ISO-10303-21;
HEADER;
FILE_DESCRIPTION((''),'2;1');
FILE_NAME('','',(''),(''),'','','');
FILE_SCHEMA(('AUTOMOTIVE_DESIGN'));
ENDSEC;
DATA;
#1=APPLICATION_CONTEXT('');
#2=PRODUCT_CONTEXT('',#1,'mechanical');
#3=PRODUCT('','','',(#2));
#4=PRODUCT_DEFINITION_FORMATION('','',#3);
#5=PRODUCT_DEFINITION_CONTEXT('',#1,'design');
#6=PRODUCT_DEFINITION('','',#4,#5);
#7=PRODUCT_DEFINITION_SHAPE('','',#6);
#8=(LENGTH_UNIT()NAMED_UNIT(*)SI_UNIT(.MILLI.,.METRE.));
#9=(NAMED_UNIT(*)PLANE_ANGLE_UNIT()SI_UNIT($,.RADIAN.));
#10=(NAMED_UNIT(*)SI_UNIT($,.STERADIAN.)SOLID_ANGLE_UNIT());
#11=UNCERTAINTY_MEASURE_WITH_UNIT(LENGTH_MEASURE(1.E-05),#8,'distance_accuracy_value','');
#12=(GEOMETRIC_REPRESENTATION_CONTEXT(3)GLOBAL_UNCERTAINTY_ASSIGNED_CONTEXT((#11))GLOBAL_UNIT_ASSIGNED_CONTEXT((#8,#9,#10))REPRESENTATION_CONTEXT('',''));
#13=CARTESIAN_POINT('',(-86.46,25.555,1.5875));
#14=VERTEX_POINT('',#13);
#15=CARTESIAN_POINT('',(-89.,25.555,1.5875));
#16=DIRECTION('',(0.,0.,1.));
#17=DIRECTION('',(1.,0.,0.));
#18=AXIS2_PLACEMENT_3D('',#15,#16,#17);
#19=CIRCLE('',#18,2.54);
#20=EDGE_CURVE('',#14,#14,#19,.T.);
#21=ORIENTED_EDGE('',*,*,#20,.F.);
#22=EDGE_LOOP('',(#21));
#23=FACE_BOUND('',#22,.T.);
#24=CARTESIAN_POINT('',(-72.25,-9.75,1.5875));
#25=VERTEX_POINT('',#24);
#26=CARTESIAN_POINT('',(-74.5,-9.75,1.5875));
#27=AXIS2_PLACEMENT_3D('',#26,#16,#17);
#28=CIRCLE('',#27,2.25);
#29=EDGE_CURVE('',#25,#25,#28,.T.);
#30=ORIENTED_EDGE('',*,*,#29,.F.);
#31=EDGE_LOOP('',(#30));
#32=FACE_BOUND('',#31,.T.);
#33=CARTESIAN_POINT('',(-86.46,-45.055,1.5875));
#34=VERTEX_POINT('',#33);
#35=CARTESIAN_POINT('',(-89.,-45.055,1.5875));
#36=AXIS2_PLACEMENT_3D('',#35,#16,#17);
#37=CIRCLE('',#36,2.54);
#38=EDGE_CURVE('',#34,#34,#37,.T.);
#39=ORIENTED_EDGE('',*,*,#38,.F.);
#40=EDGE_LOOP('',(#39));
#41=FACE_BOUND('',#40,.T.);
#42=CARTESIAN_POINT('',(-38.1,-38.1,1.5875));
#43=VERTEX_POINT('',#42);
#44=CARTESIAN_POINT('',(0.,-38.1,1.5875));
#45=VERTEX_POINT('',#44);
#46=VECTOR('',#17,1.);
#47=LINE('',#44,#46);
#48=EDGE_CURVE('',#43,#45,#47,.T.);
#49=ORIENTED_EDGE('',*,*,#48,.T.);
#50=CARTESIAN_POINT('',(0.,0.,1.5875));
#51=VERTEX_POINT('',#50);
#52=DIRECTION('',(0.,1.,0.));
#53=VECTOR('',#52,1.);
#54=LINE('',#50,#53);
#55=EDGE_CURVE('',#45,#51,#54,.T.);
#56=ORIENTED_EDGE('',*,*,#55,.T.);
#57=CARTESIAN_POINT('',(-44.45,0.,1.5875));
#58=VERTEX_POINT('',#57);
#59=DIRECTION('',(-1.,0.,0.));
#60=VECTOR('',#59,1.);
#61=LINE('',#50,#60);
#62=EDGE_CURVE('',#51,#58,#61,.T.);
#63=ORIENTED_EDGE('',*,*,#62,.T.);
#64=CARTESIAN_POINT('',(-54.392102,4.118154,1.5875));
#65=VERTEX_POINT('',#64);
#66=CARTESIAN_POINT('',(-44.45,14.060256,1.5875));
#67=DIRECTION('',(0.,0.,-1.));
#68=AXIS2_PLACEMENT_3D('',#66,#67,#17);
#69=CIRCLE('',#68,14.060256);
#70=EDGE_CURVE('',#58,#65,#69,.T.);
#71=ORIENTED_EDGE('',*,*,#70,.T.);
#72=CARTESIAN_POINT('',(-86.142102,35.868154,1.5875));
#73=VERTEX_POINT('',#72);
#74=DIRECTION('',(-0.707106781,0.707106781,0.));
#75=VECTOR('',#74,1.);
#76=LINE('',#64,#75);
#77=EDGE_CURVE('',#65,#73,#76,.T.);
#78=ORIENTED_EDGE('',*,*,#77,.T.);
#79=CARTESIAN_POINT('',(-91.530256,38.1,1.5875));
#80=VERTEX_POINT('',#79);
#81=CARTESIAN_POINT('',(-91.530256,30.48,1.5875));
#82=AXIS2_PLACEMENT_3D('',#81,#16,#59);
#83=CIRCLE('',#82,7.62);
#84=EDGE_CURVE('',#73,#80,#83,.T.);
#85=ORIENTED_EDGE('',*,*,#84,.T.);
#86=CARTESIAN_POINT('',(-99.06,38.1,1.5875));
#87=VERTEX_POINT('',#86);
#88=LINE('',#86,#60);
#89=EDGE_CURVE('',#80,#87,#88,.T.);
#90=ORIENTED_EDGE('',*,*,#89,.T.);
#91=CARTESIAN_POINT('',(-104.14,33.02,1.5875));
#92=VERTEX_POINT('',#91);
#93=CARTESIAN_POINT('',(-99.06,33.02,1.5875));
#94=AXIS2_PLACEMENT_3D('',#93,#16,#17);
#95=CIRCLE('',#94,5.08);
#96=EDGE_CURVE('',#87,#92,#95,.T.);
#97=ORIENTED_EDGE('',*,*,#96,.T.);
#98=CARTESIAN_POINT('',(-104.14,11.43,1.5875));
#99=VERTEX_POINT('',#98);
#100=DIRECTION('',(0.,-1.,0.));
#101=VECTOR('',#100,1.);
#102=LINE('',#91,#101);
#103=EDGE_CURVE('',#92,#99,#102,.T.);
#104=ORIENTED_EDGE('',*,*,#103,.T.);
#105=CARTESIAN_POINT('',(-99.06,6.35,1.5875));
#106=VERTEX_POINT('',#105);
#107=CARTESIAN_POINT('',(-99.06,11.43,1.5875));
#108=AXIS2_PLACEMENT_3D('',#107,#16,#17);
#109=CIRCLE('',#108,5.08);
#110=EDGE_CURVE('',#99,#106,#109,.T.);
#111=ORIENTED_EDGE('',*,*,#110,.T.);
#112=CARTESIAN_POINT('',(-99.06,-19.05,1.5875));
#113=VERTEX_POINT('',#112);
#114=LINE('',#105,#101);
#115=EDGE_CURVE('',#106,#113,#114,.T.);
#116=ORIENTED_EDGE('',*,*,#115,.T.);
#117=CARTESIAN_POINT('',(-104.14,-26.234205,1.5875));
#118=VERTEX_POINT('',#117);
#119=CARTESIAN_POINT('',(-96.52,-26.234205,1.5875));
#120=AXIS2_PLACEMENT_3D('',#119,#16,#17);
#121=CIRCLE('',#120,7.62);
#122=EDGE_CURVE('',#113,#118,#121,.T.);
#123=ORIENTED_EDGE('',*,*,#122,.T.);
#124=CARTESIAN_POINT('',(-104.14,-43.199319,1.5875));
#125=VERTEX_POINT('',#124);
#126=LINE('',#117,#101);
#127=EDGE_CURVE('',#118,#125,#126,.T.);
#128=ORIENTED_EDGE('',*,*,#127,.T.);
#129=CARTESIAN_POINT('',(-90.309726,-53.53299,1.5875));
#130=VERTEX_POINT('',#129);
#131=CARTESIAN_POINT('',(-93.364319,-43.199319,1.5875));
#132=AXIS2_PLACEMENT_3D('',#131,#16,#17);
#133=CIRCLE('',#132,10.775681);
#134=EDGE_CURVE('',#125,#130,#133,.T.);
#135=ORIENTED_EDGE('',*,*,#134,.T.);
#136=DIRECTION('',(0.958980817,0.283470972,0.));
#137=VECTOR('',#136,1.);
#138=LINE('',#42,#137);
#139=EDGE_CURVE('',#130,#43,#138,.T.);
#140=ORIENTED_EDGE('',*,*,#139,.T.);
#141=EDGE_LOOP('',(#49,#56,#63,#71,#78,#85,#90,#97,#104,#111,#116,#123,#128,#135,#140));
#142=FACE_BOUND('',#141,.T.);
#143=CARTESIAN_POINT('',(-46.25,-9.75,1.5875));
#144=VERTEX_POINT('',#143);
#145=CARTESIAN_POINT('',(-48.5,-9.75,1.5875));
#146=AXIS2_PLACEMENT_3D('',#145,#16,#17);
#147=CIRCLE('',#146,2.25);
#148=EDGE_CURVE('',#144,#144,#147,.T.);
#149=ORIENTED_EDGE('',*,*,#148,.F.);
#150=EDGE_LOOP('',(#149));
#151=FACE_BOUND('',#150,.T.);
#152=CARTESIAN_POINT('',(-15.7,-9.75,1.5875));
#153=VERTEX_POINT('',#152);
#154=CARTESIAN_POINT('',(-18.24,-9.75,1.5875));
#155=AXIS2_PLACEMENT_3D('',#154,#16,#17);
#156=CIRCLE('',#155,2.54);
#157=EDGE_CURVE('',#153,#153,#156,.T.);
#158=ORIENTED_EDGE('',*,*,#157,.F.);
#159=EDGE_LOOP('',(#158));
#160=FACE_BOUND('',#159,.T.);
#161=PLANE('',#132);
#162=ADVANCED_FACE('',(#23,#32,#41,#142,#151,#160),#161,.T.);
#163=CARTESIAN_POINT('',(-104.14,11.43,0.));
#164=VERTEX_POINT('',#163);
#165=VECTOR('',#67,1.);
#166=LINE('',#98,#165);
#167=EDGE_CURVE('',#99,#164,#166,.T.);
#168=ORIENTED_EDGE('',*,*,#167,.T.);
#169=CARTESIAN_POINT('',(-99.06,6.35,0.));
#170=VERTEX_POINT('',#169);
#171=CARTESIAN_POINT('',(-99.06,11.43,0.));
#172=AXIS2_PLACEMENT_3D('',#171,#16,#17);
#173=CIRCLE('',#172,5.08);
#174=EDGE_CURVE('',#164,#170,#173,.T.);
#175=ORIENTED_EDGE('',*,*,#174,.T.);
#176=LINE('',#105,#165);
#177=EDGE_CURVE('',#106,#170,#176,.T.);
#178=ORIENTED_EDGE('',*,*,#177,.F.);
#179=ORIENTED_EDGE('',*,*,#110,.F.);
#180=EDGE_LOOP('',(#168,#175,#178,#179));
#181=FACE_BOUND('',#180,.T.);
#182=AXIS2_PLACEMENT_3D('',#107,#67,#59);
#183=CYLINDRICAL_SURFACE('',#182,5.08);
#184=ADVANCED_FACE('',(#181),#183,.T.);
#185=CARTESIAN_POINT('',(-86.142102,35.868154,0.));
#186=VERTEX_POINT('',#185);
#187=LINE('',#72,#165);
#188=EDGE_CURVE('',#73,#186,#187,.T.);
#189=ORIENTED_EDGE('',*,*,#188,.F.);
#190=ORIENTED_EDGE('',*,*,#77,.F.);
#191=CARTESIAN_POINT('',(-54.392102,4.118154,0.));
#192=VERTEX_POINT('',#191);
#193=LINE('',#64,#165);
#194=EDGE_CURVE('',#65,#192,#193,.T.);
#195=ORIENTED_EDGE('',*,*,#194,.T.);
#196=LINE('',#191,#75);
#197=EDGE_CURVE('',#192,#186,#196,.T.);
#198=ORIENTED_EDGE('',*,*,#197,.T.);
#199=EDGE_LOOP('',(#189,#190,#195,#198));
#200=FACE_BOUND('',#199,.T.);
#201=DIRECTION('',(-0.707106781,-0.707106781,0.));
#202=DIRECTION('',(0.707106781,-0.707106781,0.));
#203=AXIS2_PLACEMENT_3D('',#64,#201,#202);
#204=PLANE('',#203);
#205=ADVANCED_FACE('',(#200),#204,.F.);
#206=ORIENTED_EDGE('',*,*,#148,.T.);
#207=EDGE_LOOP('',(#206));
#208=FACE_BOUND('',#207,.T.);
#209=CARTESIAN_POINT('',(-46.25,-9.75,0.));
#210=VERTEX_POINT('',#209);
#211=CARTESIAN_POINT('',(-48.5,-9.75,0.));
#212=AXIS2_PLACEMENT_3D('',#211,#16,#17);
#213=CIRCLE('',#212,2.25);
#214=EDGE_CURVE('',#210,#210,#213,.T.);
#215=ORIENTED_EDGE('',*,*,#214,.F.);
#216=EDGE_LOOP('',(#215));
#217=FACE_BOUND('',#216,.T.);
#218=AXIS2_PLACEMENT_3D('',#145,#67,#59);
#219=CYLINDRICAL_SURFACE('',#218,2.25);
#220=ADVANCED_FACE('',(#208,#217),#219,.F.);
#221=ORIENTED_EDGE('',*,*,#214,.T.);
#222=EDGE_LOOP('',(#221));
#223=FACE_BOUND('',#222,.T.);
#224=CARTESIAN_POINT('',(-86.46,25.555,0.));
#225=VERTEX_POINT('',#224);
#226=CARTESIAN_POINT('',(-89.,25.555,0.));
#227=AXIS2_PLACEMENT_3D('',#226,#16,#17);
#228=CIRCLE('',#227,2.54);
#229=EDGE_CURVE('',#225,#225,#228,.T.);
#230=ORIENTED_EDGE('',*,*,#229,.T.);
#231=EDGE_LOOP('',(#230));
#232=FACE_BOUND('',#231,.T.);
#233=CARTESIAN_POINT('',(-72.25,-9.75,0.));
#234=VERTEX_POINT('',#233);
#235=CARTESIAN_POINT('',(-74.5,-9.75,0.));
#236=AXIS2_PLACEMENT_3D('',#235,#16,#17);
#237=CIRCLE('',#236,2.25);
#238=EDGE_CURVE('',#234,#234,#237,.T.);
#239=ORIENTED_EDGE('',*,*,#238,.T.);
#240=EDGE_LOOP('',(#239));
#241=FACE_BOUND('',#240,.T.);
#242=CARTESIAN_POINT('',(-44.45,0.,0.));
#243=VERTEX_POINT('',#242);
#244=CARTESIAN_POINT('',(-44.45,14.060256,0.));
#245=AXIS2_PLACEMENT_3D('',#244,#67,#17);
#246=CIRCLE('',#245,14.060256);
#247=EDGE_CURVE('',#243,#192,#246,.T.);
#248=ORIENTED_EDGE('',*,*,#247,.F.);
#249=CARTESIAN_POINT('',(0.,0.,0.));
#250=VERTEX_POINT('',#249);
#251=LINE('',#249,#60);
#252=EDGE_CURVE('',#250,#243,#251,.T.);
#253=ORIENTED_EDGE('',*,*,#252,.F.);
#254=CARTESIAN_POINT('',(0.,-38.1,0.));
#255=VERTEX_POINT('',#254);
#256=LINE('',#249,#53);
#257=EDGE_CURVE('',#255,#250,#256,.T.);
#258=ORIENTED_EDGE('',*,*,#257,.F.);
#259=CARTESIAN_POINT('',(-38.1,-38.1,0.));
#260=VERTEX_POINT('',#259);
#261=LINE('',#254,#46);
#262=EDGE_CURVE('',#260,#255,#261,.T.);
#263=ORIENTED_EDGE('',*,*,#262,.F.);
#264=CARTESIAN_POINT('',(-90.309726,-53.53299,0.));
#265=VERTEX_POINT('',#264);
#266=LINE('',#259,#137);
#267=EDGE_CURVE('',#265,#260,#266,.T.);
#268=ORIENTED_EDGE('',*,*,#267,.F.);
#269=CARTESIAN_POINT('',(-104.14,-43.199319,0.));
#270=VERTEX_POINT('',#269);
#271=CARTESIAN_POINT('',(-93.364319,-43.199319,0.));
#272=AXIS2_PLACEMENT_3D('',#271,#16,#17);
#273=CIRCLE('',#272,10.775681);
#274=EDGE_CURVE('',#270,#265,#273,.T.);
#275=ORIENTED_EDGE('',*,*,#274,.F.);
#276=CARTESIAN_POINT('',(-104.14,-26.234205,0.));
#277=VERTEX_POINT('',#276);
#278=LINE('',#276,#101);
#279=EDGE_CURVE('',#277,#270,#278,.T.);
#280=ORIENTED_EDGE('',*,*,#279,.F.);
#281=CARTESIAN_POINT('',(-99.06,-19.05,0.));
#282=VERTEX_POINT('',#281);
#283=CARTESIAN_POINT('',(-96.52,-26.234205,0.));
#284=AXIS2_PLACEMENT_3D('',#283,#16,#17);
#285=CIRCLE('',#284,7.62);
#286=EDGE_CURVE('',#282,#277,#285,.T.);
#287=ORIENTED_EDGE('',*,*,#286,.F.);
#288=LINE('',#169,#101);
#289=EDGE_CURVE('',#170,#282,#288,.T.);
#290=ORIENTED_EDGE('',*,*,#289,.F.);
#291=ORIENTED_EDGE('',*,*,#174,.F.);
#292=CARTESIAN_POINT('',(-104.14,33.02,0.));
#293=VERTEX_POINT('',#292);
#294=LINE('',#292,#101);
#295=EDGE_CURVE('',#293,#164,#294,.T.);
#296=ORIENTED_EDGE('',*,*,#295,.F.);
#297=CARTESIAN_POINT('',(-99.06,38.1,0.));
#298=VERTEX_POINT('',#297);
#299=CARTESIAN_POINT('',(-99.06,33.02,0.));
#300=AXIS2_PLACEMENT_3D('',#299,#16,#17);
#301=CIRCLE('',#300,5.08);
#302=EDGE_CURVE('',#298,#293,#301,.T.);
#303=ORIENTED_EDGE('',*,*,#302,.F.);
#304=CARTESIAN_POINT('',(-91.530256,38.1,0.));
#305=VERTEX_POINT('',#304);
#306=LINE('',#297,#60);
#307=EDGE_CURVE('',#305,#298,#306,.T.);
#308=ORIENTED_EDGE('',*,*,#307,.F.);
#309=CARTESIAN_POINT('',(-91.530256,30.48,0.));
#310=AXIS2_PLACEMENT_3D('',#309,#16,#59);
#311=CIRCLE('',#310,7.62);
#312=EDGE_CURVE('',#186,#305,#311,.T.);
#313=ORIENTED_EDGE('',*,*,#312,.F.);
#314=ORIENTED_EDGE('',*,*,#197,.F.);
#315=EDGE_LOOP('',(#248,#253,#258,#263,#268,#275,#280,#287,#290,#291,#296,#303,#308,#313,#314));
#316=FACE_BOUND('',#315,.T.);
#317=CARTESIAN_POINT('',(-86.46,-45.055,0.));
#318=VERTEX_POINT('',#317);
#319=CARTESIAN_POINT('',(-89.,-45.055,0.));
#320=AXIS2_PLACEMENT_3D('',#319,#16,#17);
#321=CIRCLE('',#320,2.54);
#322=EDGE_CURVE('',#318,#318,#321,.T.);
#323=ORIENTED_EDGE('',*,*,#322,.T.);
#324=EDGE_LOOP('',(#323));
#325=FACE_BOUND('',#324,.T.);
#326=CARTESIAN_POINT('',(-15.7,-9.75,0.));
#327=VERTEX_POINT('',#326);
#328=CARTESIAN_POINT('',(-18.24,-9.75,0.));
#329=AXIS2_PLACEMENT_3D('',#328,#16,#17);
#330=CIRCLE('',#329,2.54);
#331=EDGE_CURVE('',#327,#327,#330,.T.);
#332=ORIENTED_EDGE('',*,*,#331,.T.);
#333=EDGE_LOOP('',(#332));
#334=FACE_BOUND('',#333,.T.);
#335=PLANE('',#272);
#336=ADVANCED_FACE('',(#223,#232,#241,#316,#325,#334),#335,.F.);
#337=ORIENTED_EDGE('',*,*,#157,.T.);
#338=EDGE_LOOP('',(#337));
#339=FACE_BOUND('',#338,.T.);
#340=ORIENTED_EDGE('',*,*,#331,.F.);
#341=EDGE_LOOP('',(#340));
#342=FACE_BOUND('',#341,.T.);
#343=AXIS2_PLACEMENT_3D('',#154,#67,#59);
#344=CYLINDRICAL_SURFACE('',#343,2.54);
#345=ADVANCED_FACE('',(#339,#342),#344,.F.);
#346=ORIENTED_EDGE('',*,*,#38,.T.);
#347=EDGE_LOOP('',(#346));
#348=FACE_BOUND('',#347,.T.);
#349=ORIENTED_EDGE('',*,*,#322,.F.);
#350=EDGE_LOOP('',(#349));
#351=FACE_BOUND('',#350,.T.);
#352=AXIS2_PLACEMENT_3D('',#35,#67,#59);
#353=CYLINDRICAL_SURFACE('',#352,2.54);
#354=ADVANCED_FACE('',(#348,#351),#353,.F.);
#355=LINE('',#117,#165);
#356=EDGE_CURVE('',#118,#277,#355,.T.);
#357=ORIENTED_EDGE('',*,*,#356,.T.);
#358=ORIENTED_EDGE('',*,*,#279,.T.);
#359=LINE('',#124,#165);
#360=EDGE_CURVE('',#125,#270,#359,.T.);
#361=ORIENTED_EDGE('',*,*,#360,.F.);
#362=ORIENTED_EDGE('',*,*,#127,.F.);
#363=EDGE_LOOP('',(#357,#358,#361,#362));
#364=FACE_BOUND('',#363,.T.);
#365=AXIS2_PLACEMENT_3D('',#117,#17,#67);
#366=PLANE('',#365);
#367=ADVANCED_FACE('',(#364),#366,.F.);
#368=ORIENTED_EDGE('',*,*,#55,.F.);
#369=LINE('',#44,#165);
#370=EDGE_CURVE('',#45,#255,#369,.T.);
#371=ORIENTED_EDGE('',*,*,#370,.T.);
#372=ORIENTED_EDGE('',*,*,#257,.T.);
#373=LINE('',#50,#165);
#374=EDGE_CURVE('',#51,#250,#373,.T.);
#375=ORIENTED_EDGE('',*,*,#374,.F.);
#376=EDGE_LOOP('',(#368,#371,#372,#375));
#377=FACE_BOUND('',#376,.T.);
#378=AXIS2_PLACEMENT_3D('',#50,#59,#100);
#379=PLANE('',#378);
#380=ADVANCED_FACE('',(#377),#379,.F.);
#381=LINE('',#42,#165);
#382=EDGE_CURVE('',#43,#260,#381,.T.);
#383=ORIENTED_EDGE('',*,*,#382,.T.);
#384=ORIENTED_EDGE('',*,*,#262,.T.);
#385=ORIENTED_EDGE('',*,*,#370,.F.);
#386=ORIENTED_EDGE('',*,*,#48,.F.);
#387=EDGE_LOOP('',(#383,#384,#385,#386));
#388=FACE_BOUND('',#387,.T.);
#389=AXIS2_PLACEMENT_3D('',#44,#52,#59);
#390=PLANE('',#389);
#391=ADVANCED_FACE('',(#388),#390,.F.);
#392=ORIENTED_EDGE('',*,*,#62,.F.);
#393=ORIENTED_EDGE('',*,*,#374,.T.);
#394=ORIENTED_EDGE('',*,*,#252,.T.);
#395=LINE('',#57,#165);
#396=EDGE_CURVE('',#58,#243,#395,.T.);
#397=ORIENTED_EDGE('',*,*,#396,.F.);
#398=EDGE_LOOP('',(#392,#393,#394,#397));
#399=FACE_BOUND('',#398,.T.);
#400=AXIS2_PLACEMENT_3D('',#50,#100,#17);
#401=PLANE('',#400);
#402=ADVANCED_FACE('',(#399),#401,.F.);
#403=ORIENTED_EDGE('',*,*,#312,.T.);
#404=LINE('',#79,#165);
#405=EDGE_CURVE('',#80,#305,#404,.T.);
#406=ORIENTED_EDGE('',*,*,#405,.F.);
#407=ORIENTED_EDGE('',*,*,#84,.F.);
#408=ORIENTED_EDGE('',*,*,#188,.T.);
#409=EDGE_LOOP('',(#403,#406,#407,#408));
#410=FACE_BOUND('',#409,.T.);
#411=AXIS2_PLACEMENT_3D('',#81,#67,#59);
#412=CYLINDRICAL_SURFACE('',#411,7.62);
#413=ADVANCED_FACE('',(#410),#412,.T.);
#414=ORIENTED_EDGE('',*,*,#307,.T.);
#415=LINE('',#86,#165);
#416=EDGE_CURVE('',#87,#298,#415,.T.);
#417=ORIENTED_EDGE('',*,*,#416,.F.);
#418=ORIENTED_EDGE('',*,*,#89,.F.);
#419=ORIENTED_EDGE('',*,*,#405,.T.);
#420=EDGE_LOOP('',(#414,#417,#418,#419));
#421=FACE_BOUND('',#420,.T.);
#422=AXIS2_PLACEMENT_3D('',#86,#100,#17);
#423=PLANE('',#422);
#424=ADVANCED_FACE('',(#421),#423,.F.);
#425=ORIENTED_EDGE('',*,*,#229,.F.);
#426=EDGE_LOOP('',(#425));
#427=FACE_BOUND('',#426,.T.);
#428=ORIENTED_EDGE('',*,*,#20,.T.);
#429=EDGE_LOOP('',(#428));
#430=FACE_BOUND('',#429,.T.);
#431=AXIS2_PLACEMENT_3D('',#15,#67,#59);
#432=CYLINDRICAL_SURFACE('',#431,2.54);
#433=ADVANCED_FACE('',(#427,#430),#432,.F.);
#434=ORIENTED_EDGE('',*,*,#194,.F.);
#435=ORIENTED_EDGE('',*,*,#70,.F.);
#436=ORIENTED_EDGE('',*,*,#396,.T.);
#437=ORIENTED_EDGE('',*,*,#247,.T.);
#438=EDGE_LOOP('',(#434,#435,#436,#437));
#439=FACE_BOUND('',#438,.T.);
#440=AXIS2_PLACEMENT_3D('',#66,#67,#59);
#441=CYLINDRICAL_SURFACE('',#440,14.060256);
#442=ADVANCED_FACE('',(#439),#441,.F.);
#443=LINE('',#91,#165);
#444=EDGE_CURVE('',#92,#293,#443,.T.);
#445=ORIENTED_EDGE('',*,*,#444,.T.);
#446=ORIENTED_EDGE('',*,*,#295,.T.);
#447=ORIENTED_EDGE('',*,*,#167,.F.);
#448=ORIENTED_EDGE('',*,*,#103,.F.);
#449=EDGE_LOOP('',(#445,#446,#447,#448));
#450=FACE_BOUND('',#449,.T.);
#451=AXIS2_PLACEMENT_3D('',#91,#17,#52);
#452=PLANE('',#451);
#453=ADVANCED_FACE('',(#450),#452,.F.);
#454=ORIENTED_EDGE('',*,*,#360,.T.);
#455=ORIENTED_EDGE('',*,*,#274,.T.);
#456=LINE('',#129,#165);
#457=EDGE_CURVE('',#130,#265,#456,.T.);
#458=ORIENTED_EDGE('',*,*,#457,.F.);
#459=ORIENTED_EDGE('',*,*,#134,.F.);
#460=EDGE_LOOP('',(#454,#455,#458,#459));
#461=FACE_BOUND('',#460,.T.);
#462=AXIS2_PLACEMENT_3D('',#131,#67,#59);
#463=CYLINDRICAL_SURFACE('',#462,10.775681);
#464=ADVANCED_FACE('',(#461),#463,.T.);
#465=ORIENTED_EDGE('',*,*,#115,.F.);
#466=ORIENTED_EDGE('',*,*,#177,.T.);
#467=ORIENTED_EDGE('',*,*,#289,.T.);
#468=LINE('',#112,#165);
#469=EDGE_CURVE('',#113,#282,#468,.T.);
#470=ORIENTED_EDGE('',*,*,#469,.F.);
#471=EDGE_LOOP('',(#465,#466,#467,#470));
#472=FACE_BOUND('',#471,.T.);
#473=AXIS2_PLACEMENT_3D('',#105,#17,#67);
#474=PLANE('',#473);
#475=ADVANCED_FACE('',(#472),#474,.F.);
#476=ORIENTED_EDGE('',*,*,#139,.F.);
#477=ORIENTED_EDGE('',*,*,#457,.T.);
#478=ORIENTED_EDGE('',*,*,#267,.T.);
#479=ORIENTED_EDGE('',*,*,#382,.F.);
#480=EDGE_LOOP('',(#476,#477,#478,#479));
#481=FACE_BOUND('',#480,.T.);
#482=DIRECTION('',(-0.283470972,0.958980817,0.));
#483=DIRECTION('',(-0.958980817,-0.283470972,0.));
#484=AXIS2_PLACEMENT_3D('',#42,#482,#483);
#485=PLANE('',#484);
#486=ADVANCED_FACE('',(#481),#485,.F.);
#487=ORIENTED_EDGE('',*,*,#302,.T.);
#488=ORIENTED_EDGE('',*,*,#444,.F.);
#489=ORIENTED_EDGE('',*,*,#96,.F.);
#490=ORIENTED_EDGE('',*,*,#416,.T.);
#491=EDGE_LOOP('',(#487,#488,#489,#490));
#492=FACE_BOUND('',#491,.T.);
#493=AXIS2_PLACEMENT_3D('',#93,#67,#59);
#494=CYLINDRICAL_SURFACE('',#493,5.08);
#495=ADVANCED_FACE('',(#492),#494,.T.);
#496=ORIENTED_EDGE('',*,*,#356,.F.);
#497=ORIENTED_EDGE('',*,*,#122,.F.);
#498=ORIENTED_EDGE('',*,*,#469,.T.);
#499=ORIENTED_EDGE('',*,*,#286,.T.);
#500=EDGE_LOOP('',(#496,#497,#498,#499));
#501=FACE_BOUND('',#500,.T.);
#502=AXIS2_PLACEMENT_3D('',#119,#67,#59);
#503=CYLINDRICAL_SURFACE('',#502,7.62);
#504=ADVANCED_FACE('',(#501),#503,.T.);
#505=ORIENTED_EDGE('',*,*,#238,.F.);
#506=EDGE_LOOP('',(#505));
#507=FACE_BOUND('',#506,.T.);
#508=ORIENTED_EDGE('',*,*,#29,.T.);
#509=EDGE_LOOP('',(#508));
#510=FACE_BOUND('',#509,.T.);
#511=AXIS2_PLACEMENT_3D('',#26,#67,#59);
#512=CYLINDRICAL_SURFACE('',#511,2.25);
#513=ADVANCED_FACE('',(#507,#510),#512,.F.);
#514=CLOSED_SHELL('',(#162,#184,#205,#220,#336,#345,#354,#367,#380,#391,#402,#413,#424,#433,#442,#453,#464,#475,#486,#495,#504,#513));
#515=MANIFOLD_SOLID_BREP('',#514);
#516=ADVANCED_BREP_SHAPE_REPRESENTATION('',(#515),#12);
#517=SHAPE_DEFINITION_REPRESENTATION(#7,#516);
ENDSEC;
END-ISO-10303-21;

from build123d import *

# Parameters (mm, degrees)
SKETCH1_R           = 2.54
SKETCH1_R_2         = 2.25
BOSS_EXTRUDE1_DEPTH = 1.5875


with BuildPart() as part:
    # Sketch1 → Boss-Extrude1 (new body)
    with BuildSketch(Plane.XY):
        with BuildLine():
            Line((0, 0), (-44.45, 0))
            ThreePointArc((-44.45, 0), (-49.830627072, 1.070273269), (-54.392102448, 4.118153673))
            Line((-54.392102448, 4.118153673), (-86.142102448, 35.868153673))
            ThreePointArc((-86.142102448, 35.868153673), (-88.614208366, 37.519962038), (-91.530256121, 38.1))
            Line((-91.530256121, 38.1), (-99.06, 38.1))
            ThreePointArc((-99.06, 38.1), (-102.652102448, 36.612102448), (-104.14, 33.02))
            Line((-104.14, 33.02), (-104.14, 11.43))
            ThreePointArc((-104.14, 11.43), (-102.652102448, 7.837897552), (-99.06, 6.35))
            Line((-99.06, 6.35), (-99.06, -19.05))
            ThreePointArc((-99.06, -19.05), (-102.741703947, -21.834795846), (-104.14, -26.234204897))
            Line((-104.14, -26.234204897), (-104.14, -43.199318572))
            ThreePointArc((-104.14, -43.199318572), (-99.814124397, -51.831543955), (-90.309725681, -53.532990354))
            Line((-90.309725681, -53.532990354), (-38.1, -38.1))
            Line((-38.1, -38.1), (0, -38.1))
            Line((0, -38.1), (0, 0))
        make_face()
        with Locations((-89, 25.555)):
            Circle(SKETCH1_R, mode=Mode.SUBTRACT)
        with Locations((-89, -45.055)):
            Circle(SKETCH1_R, mode=Mode.SUBTRACT)
        with Locations((-18.24, -9.75)):
            Circle(SKETCH1_R, mode=Mode.SUBTRACT)
        with Locations((-74.5, -9.75)):
            Circle(SKETCH1_R_2, mode=Mode.SUBTRACT)
        with Locations((-48.5, -9.75)):
            Circle(SKETCH1_R_2, mode=Mode.SUBTRACT)
    extrude(amount=BOSS_EXTRUDE1_DEPTH)


solid = part.part
